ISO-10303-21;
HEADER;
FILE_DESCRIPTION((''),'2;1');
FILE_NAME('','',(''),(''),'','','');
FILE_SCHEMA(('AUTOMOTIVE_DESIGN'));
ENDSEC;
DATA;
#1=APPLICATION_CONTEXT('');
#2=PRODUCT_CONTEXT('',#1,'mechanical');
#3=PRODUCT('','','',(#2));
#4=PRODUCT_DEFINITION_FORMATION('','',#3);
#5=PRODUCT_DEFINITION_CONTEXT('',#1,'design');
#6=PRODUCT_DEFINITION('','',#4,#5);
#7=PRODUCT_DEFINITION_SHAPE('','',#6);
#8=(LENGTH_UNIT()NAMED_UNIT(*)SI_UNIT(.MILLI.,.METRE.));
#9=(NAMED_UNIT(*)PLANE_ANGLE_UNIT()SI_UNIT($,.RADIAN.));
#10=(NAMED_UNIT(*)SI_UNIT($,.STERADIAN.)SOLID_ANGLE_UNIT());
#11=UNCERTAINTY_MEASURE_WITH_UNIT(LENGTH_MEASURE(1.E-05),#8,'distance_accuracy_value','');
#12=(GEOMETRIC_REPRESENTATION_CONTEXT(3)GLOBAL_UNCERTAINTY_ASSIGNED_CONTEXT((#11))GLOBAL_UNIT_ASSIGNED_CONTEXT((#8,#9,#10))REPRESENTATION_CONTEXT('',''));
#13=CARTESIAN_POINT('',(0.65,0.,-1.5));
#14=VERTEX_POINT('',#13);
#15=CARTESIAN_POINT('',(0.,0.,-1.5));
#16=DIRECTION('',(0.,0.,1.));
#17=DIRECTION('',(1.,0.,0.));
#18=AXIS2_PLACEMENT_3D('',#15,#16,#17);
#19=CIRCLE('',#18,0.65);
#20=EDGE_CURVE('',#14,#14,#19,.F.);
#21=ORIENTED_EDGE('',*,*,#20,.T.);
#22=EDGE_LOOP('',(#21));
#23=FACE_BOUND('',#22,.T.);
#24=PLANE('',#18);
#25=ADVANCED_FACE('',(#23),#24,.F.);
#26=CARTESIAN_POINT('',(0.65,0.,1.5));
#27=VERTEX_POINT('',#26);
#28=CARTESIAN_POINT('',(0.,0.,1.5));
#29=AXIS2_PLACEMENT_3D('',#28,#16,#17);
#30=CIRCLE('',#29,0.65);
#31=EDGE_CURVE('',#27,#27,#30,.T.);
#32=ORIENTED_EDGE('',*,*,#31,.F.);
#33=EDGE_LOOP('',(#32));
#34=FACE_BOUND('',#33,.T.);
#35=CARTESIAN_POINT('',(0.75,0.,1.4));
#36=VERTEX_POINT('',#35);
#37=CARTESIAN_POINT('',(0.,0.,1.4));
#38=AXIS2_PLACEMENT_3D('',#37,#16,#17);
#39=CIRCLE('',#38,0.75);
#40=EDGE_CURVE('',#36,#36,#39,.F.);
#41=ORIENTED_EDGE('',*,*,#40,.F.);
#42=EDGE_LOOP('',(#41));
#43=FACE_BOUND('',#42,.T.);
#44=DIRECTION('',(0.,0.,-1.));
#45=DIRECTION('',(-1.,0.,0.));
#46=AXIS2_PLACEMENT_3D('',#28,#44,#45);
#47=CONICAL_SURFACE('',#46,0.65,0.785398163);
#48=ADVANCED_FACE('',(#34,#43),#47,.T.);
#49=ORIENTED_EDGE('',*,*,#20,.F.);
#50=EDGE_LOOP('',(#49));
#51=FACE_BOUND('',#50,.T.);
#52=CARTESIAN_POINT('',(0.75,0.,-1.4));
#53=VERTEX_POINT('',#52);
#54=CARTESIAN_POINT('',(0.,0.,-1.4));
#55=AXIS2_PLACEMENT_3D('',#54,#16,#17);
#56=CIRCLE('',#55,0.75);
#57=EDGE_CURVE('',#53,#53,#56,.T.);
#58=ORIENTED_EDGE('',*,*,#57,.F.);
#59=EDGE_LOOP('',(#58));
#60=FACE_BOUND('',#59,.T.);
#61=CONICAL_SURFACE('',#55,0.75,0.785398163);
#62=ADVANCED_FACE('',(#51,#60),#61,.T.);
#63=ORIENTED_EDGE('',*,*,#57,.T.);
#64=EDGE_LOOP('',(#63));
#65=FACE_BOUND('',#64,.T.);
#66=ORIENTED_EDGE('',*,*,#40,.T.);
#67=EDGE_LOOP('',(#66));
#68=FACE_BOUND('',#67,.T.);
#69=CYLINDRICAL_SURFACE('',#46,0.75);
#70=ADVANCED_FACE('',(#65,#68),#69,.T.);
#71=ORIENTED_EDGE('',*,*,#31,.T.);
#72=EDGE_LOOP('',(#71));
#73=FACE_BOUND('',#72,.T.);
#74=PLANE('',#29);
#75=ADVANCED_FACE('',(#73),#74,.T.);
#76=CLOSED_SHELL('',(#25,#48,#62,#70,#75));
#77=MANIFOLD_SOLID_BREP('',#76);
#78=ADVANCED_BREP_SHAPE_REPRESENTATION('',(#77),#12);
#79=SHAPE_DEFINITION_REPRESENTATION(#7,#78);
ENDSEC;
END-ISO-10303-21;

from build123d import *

# Parameters (mm, degrees)
SKETCH1_R           = 0.75
BOSS_EXTRUDE1_DEPTH = 1.5
CHAMFER1_SIZE       = 0.1


with BuildPart() as part:
    # Sketch1 → Boss-Extrude1 (new, symmetric)
    with BuildSketch(Plane.XY):
        Circle(SKETCH1_R)
    extrude(amount=BOSS_EXTRUDE1_DEPTH, both=True)

    # Chamfer1
    chamfer1_edges = [part.edges().sort_by_distance(p)[0] for p in [
        (-0.75, 0, -1.5),
        (-0.75, 0, 1.5),
    ]]
    chamfer(chamfer1_edges, length=CHAMFER1_SIZE)


solid = part.part
